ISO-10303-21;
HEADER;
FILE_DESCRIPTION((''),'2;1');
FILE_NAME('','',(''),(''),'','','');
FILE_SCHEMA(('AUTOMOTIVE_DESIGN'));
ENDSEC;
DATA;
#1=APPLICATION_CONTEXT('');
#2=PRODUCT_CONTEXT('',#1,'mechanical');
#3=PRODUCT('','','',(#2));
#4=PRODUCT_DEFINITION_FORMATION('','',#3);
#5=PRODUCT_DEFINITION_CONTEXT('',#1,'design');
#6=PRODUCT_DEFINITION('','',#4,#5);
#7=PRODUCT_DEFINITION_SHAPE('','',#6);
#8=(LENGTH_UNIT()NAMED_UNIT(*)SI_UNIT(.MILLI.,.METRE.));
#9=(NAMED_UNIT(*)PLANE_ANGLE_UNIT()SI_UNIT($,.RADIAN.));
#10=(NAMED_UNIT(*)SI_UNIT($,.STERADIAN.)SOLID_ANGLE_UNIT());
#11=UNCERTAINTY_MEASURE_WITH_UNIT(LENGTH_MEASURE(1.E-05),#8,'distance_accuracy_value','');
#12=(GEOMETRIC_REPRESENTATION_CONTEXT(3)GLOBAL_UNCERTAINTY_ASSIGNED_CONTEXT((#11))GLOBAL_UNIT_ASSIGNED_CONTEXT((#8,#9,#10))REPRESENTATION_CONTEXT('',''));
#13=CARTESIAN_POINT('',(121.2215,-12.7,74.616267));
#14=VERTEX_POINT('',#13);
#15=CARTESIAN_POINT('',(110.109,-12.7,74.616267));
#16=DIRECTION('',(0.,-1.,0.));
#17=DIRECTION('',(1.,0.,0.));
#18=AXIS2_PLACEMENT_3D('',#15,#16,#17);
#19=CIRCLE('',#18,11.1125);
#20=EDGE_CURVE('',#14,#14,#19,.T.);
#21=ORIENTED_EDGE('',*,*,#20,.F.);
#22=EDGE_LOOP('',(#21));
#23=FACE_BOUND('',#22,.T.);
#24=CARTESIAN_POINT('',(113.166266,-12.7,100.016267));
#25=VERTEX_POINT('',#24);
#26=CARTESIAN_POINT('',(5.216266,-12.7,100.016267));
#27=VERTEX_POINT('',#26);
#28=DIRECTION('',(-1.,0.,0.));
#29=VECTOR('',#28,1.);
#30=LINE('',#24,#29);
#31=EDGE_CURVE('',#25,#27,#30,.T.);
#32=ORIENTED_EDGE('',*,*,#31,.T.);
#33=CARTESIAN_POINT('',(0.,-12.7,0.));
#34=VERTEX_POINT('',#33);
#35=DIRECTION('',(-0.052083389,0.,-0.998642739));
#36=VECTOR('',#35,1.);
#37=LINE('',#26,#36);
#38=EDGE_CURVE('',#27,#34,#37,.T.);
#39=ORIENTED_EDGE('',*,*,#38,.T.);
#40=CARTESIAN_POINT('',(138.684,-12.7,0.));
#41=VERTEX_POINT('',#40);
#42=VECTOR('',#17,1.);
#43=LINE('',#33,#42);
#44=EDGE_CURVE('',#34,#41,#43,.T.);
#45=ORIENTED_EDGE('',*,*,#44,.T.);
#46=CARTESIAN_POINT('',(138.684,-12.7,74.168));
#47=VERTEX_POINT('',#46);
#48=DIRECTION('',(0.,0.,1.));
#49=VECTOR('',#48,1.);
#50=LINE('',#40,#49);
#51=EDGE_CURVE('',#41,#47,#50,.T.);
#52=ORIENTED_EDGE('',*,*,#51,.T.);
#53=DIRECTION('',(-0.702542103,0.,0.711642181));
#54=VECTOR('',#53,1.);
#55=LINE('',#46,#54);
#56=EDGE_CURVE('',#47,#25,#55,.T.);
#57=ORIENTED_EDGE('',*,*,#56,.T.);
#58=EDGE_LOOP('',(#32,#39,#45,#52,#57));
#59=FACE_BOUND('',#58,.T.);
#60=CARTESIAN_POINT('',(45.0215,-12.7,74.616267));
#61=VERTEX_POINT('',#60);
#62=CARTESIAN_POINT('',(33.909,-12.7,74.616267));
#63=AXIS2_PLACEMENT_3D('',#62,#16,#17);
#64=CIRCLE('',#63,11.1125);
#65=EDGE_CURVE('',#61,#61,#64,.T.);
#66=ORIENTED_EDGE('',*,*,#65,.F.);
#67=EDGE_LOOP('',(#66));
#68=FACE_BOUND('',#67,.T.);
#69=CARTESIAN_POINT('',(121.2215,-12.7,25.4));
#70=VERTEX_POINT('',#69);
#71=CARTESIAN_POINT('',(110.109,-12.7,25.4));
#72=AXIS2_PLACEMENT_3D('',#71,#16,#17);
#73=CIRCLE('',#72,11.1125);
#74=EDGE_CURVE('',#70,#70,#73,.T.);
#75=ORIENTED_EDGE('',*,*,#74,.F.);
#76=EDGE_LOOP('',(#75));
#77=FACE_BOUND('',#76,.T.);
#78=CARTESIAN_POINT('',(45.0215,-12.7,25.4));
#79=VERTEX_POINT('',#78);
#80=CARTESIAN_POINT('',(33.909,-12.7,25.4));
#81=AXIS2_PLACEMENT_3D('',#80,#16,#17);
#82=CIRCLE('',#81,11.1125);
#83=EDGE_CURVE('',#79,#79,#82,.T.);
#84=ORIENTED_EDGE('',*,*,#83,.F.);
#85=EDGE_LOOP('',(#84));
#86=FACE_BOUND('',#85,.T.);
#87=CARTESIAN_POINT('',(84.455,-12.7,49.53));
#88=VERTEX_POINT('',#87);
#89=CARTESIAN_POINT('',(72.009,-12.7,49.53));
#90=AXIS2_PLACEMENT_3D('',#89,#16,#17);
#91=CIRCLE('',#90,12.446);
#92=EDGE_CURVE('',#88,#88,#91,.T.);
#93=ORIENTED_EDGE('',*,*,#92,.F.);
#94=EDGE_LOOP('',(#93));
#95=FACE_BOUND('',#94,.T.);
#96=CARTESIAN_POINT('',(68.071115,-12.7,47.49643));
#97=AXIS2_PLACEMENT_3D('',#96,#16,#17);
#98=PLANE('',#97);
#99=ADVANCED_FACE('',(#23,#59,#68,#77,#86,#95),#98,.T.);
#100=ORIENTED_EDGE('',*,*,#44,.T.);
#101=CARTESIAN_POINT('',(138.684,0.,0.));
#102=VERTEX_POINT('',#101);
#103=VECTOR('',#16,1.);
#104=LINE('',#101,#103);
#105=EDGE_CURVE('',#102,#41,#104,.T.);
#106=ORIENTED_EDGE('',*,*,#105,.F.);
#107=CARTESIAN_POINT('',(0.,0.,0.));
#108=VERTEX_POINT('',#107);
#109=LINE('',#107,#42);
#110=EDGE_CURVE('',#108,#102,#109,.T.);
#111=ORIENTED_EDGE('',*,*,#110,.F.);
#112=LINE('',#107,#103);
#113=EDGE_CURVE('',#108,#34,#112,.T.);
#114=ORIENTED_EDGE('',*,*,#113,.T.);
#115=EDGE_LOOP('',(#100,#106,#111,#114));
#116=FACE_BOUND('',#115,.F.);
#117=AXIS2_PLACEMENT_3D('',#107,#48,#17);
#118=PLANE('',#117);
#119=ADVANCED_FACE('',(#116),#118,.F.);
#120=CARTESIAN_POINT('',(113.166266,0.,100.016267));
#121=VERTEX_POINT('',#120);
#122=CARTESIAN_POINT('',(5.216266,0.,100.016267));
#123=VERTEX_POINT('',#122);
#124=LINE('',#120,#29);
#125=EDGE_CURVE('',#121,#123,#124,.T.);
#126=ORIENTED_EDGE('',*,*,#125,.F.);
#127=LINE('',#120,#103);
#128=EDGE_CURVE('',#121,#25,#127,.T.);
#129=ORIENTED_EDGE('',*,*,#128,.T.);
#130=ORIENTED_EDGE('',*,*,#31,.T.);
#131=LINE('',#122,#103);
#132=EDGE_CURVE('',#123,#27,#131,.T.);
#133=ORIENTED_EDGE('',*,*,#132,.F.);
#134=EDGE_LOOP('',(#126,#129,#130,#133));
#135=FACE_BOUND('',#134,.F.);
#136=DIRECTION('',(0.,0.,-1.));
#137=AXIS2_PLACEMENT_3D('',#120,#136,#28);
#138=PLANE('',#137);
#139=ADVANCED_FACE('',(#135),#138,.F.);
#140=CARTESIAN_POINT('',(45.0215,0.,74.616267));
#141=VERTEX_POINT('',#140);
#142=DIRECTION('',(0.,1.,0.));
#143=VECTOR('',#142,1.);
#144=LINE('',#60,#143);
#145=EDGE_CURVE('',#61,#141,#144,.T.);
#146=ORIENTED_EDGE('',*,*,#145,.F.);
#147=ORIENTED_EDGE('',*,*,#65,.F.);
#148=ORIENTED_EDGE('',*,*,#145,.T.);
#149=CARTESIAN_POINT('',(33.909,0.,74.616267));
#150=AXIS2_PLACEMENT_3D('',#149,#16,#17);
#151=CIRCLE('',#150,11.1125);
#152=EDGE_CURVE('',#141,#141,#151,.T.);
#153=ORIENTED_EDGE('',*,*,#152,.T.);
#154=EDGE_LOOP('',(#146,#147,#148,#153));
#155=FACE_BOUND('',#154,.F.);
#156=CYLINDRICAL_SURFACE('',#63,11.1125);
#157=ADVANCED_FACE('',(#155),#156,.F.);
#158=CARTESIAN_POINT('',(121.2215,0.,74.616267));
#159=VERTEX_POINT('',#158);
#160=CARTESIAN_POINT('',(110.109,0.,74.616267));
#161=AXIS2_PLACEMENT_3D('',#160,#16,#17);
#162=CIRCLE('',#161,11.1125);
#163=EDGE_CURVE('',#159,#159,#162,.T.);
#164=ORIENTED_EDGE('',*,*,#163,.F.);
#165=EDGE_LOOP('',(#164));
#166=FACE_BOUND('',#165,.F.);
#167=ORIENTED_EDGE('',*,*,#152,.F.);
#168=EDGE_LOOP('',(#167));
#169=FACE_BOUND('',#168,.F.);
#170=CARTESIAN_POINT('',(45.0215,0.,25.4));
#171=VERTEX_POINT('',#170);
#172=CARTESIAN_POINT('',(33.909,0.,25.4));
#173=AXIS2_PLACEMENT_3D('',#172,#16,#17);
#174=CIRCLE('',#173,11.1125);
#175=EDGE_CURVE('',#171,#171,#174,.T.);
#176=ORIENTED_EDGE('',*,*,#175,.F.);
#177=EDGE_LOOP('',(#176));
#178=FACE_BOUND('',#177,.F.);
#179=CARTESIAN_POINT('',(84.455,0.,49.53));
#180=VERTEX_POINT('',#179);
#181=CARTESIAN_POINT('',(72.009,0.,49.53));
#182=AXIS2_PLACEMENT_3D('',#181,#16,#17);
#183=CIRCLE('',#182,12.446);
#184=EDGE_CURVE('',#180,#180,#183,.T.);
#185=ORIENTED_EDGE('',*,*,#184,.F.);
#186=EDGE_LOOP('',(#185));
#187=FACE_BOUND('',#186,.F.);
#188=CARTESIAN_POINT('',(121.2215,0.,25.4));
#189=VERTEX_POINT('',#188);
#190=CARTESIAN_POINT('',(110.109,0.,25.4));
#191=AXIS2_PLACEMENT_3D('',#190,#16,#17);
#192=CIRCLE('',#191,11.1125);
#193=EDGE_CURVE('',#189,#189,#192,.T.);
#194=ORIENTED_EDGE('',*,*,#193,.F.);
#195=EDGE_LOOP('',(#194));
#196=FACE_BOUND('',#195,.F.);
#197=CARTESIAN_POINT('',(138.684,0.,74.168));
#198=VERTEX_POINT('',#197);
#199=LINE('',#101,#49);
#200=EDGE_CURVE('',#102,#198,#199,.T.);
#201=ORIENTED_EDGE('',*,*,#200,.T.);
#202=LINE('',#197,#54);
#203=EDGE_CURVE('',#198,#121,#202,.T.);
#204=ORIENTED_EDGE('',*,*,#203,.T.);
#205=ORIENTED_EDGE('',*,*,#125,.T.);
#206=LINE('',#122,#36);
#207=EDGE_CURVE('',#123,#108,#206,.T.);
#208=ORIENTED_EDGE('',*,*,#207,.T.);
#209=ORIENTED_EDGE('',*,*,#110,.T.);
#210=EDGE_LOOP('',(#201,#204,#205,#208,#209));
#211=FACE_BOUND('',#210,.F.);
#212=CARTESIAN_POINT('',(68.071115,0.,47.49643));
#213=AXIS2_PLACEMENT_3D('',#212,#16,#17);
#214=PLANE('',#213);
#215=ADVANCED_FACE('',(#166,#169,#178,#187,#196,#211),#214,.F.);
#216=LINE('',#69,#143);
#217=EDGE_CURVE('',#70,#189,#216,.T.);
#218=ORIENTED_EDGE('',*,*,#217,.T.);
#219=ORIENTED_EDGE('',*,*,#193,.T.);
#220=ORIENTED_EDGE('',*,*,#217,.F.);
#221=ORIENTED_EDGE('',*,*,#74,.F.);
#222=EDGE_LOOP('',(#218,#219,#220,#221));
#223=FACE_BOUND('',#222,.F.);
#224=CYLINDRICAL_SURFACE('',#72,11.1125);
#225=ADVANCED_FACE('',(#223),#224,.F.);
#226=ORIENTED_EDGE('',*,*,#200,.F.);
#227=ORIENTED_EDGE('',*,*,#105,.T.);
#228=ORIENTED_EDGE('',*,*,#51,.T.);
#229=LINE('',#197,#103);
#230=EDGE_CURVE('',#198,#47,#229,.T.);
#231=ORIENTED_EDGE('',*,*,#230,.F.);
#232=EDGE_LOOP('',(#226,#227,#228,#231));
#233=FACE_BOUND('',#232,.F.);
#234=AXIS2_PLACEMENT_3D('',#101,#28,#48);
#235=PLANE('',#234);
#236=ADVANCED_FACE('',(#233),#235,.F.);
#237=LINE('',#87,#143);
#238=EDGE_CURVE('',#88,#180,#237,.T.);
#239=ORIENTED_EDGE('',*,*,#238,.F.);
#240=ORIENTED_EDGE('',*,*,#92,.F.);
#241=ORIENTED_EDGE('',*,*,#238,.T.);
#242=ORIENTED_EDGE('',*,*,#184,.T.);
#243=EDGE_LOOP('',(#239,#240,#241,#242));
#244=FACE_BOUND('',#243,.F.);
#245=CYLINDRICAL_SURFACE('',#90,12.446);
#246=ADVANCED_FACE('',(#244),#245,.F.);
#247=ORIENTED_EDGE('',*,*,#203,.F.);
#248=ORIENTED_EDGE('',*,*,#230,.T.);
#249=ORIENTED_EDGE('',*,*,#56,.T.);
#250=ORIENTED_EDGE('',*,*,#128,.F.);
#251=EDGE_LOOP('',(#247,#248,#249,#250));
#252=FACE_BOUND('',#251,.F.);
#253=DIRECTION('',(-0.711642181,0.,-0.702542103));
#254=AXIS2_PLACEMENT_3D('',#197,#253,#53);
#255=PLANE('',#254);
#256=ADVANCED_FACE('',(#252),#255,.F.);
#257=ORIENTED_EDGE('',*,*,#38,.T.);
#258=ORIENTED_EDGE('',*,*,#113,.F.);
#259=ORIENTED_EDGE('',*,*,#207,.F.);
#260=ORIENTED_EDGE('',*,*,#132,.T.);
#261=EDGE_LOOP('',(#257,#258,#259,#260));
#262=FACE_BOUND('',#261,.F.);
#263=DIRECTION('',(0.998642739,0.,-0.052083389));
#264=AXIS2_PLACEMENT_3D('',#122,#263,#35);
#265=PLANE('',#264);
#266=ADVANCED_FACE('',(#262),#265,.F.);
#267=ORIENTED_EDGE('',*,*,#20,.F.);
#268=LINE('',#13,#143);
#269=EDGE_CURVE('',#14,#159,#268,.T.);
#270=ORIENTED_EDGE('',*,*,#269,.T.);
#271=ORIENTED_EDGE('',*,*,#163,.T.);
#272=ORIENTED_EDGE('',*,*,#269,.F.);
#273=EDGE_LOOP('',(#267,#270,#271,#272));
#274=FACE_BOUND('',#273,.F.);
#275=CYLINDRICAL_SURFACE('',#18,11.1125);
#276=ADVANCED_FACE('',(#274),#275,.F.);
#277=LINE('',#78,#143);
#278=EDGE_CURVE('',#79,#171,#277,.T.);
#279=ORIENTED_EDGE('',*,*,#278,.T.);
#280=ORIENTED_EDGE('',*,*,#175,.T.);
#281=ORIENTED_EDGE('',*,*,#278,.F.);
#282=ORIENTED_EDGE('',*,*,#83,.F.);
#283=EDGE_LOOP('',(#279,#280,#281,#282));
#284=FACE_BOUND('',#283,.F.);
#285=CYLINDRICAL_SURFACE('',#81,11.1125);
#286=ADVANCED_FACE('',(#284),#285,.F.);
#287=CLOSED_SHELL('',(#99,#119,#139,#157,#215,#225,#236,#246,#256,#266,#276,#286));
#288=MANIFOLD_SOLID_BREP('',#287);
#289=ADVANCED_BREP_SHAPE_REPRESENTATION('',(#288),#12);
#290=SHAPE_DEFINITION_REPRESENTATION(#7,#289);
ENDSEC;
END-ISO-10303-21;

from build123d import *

# Parameters (mm, degrees)
F1_DEPTH = 12.7
F2_R     = 12.446
F2_R_2   = 11.1125
F3_DEPTH = 25.4


with BuildPart() as f1:
    # F0 (on Front) → F1 (new body)
    with BuildSketch(Plane.XZ):
        Polygon((5.216266, 100.016267), (0, 0), (138.684, 0), (138.684, 74.168), (113.166266, 100.016267), align=None)
    extrude(amount=F1_DEPTH)

    # F2 (on face) → F3 (cut)
    with BuildSketch(Plane.XZ.offset(12.7)):
        with Locations((72.009, 49.53)):
            Circle(F2_R)
        with Locations((33.909, 25.4)):
            Circle(F2_R_2)
        with Locations((33.909, 74.616267)):
            Circle(F2_R_2)
        with Locations((110.109, 74.616267)):
            Circle(F2_R_2)
        with Locations((110.109, 25.4)):
            Circle(F2_R_2)
    extrude(amount=-F3_DEPTH, mode=Mode.SUBTRACT)


solid = f1.part
